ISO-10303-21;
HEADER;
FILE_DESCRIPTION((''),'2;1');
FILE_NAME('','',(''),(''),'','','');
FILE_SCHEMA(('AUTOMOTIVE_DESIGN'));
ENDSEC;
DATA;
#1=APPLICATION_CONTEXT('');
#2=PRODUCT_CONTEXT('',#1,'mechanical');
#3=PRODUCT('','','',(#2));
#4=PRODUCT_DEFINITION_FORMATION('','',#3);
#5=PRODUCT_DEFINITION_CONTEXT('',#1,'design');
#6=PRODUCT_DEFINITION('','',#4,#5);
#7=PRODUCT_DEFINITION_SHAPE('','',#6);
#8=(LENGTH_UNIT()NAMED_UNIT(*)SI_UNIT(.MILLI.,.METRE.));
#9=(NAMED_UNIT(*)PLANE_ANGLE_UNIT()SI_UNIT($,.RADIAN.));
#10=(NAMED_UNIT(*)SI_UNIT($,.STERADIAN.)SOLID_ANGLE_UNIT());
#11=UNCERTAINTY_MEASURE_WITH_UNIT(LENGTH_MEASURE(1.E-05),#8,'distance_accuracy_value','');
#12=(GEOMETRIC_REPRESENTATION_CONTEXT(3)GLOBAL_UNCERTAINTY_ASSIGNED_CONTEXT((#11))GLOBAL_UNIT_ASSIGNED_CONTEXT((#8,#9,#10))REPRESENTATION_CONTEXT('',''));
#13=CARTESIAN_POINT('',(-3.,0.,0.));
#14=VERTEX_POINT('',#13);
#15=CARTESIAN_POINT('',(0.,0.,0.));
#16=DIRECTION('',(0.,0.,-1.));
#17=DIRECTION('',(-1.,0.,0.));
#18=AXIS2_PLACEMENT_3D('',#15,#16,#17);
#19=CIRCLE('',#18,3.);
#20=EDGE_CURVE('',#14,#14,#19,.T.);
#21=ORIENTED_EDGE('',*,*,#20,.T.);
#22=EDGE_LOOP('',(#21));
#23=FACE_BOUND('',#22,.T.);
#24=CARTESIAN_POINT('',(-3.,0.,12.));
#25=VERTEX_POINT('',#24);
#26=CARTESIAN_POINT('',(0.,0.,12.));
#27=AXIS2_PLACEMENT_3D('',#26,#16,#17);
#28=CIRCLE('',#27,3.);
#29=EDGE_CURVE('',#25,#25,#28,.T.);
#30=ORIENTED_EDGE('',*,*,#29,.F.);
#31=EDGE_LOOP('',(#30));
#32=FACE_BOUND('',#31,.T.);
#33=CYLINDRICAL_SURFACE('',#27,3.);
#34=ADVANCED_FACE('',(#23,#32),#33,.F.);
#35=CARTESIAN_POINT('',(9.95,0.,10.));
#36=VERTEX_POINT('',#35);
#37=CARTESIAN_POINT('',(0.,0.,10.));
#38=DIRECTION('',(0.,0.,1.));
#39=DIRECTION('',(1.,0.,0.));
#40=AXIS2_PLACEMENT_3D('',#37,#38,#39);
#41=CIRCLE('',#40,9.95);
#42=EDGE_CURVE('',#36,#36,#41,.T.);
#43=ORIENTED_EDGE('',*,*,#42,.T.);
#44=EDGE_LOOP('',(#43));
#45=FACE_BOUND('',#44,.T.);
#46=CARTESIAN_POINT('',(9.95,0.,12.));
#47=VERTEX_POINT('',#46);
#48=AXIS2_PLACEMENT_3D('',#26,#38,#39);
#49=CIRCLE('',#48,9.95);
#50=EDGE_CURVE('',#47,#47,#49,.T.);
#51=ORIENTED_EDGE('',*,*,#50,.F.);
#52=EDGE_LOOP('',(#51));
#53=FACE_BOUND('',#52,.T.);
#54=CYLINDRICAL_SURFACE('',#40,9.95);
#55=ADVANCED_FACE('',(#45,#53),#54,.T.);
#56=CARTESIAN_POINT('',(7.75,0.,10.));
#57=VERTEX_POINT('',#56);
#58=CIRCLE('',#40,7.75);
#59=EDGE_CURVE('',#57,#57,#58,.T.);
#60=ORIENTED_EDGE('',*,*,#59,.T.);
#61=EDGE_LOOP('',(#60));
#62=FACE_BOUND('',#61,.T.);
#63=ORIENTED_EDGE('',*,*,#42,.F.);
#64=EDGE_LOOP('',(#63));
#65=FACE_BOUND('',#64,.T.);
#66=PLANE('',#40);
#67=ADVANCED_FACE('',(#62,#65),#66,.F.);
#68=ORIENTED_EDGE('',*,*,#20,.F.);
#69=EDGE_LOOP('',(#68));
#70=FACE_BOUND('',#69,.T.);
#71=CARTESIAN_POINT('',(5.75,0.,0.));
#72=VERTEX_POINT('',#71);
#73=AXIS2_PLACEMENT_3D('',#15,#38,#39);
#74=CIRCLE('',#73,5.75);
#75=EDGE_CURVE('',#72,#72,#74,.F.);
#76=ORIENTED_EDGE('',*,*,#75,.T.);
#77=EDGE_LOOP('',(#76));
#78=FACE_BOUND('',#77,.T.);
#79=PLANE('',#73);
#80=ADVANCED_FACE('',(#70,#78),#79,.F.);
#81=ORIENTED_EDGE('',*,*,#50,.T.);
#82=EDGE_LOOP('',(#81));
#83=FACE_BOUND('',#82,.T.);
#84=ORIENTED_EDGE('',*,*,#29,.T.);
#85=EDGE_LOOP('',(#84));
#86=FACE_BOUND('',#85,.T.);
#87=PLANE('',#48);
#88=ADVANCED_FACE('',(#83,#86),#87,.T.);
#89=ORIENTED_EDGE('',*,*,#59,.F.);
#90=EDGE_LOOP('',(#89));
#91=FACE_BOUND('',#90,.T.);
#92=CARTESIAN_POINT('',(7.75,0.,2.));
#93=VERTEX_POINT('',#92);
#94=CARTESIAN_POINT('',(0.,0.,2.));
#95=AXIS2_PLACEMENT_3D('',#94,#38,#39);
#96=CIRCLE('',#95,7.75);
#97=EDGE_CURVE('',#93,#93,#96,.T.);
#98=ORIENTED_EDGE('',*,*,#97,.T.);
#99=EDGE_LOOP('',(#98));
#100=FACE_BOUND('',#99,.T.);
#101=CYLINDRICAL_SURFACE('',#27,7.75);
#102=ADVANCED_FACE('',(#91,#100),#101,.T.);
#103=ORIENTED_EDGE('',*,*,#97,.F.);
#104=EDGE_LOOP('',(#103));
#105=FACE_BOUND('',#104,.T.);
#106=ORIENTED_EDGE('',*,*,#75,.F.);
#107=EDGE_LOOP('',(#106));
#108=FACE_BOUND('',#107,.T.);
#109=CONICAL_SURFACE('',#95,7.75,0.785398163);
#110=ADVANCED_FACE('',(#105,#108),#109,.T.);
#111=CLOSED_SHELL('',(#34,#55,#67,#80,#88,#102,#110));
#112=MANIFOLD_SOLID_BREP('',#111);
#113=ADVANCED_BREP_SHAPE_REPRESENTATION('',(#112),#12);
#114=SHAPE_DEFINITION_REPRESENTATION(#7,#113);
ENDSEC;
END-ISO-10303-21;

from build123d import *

# Parameters (mm, degrees)
SKETCH1_R           = 7.75
SKETCH1_R_2         = 2.5
BOSS_EXTRUDE1_DEPTH = 12
SKETCH2_R           = 9.95
SKETCH2_R_2         = 3
BOSS_EXTRUDE2_DEPTH = 2
CHAMFER1_SIZE       = 2
SKETCH3_R           = 3
CUT_EXTRUDE1_DEPTH  = 13


with BuildPart() as part:
    # Sketch1 → Boss-Extrude1 (new body)
    with BuildSketch(Plane.XY):
        Circle(SKETCH1_R)
        Circle(SKETCH1_R_2, mode=Mode.SUBTRACT)
    extrude(amount=BOSS_EXTRUDE1_DEPTH)

    # Sketch2 → Boss-Extrude2 (add)
    with BuildSketch(Plane.XY.offset(12)):
        Circle(SKETCH2_R)
        Circle(SKETCH2_R_2, mode=Mode.SUBTRACT)
    extrude(amount=-BOSS_EXTRUDE2_DEPTH)

    # Chamfer1
    chamfer1_edges = [part.edges().sort_by_distance(p)[0] for p in [
        (-7.75, 0, 0),
    ]]
    chamfer(chamfer1_edges, length=CHAMFER1_SIZE)

    # Sketch3 → Cut-Extrude1 (cut, through all)
    with BuildSketch(Plane(origin=(0, 0, 0), x_dir=(-1, 0, 0), z_dir=(0, 0, -1))):
        Circle(SKETCH3_R)
    extrude(amount=-CUT_EXTRUDE1_DEPTH, mode=Mode.SUBTRACT)


solid = part.part
